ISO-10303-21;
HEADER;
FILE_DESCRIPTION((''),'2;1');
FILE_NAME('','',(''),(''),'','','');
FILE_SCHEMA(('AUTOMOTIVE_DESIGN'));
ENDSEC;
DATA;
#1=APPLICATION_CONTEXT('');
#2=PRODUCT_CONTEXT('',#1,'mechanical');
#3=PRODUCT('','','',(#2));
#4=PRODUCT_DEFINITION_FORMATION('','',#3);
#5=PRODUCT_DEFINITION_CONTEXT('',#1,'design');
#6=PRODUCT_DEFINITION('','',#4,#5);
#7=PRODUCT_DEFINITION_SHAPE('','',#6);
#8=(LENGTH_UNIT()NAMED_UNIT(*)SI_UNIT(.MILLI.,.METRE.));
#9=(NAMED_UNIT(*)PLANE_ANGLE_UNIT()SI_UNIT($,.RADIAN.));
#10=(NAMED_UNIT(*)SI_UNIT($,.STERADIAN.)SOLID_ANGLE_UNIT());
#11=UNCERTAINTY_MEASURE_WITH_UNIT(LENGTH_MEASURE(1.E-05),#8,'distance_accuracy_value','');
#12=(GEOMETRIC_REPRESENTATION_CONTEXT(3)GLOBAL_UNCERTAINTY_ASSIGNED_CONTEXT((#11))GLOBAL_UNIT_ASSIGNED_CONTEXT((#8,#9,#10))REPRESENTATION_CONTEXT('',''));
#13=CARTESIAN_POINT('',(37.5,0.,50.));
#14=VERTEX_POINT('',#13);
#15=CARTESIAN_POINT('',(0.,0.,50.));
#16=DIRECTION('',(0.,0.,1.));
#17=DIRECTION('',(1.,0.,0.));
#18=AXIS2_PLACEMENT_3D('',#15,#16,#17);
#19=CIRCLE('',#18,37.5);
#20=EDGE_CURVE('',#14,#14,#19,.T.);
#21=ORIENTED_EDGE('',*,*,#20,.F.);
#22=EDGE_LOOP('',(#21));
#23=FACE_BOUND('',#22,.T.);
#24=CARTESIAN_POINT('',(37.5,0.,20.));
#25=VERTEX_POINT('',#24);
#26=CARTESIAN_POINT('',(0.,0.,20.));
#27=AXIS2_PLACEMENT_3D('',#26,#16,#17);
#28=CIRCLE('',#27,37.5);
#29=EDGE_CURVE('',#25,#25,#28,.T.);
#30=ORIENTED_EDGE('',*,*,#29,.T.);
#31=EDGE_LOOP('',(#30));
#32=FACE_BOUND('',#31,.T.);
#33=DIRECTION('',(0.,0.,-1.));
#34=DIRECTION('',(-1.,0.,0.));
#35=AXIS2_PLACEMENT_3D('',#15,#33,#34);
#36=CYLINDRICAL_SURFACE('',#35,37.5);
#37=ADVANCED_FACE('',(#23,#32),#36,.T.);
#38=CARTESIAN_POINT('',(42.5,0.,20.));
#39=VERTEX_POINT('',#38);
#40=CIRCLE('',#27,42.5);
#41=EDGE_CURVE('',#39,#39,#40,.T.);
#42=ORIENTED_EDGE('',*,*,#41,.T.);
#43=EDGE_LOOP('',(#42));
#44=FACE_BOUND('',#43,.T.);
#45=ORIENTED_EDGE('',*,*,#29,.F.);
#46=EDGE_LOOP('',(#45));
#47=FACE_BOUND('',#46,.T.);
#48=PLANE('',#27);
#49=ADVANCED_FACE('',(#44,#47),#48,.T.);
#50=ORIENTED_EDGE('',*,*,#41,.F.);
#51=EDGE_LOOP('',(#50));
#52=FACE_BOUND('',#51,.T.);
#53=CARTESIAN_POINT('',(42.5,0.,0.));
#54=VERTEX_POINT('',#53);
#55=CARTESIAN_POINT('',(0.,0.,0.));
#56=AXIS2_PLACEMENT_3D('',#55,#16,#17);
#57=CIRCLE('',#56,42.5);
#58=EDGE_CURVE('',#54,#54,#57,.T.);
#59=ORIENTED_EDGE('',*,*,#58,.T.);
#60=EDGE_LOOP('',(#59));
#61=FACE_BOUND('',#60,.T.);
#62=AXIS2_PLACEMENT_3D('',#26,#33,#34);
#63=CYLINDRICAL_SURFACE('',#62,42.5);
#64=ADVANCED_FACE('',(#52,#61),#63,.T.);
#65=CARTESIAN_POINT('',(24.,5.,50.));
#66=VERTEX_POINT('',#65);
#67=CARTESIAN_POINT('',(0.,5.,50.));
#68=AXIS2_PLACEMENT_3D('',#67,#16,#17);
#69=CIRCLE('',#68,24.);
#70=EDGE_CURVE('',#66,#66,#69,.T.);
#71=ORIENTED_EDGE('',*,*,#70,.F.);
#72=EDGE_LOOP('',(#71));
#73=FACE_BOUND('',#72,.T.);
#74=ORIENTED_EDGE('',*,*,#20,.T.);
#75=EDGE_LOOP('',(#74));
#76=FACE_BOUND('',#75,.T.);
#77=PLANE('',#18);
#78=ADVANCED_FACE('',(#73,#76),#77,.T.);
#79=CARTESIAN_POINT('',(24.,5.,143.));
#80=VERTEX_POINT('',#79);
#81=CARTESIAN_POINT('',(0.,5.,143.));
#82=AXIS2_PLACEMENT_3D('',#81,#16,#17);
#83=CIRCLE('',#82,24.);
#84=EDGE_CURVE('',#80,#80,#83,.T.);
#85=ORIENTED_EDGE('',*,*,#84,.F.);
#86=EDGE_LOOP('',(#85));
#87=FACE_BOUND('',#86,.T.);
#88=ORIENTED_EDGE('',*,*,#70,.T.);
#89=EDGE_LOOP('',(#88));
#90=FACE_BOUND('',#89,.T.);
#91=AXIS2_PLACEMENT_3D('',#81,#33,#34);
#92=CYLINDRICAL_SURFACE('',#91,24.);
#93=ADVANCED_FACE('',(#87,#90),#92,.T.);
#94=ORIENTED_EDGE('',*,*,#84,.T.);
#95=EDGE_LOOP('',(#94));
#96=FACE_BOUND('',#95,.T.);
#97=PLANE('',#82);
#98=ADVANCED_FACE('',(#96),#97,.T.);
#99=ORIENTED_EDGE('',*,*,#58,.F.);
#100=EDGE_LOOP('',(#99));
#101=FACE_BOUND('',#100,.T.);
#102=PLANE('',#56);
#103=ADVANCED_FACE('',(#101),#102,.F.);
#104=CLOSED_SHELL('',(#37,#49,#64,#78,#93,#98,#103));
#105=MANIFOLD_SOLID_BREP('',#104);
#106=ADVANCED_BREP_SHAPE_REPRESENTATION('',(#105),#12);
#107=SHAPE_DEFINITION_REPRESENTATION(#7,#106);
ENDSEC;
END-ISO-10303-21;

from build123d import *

# Parameters (mm, degrees)
SKETCH_1_R      = 42.5
EXTRUDE_1_DEPTH = 20
SKETCH_2_R      = 37.5
EXTRUDE_2_DEPTH = 30
SKETCH_3_R      = 24
EXTRUDE_3_DEPTH = 93


with BuildPart() as part:
    # ｽｹｯﾁ1 → ﾎﾞｽ - 押し出し1 (new body)
    with BuildSketch(Plane.XY):
        Circle(SKETCH_1_R)
    extrude(amount=EXTRUDE_1_DEPTH)

    # ｽｹｯﾁ2 → ﾎﾞｽ - 押し出し2 (add)
    with BuildSketch(Plane.XY.offset(20)):
        Circle(SKETCH_2_R)
    extrude(amount=EXTRUDE_2_DEPTH)

    # ｽｹｯﾁ3 → ﾎﾞｽ - 押し出し3 (add)
    with BuildSketch(Plane.XY.offset(50)):
        with Locations((0, 5)):
            Circle(SKETCH_3_R)
    extrude(amount=EXTRUDE_3_DEPTH)


solid = part.part
